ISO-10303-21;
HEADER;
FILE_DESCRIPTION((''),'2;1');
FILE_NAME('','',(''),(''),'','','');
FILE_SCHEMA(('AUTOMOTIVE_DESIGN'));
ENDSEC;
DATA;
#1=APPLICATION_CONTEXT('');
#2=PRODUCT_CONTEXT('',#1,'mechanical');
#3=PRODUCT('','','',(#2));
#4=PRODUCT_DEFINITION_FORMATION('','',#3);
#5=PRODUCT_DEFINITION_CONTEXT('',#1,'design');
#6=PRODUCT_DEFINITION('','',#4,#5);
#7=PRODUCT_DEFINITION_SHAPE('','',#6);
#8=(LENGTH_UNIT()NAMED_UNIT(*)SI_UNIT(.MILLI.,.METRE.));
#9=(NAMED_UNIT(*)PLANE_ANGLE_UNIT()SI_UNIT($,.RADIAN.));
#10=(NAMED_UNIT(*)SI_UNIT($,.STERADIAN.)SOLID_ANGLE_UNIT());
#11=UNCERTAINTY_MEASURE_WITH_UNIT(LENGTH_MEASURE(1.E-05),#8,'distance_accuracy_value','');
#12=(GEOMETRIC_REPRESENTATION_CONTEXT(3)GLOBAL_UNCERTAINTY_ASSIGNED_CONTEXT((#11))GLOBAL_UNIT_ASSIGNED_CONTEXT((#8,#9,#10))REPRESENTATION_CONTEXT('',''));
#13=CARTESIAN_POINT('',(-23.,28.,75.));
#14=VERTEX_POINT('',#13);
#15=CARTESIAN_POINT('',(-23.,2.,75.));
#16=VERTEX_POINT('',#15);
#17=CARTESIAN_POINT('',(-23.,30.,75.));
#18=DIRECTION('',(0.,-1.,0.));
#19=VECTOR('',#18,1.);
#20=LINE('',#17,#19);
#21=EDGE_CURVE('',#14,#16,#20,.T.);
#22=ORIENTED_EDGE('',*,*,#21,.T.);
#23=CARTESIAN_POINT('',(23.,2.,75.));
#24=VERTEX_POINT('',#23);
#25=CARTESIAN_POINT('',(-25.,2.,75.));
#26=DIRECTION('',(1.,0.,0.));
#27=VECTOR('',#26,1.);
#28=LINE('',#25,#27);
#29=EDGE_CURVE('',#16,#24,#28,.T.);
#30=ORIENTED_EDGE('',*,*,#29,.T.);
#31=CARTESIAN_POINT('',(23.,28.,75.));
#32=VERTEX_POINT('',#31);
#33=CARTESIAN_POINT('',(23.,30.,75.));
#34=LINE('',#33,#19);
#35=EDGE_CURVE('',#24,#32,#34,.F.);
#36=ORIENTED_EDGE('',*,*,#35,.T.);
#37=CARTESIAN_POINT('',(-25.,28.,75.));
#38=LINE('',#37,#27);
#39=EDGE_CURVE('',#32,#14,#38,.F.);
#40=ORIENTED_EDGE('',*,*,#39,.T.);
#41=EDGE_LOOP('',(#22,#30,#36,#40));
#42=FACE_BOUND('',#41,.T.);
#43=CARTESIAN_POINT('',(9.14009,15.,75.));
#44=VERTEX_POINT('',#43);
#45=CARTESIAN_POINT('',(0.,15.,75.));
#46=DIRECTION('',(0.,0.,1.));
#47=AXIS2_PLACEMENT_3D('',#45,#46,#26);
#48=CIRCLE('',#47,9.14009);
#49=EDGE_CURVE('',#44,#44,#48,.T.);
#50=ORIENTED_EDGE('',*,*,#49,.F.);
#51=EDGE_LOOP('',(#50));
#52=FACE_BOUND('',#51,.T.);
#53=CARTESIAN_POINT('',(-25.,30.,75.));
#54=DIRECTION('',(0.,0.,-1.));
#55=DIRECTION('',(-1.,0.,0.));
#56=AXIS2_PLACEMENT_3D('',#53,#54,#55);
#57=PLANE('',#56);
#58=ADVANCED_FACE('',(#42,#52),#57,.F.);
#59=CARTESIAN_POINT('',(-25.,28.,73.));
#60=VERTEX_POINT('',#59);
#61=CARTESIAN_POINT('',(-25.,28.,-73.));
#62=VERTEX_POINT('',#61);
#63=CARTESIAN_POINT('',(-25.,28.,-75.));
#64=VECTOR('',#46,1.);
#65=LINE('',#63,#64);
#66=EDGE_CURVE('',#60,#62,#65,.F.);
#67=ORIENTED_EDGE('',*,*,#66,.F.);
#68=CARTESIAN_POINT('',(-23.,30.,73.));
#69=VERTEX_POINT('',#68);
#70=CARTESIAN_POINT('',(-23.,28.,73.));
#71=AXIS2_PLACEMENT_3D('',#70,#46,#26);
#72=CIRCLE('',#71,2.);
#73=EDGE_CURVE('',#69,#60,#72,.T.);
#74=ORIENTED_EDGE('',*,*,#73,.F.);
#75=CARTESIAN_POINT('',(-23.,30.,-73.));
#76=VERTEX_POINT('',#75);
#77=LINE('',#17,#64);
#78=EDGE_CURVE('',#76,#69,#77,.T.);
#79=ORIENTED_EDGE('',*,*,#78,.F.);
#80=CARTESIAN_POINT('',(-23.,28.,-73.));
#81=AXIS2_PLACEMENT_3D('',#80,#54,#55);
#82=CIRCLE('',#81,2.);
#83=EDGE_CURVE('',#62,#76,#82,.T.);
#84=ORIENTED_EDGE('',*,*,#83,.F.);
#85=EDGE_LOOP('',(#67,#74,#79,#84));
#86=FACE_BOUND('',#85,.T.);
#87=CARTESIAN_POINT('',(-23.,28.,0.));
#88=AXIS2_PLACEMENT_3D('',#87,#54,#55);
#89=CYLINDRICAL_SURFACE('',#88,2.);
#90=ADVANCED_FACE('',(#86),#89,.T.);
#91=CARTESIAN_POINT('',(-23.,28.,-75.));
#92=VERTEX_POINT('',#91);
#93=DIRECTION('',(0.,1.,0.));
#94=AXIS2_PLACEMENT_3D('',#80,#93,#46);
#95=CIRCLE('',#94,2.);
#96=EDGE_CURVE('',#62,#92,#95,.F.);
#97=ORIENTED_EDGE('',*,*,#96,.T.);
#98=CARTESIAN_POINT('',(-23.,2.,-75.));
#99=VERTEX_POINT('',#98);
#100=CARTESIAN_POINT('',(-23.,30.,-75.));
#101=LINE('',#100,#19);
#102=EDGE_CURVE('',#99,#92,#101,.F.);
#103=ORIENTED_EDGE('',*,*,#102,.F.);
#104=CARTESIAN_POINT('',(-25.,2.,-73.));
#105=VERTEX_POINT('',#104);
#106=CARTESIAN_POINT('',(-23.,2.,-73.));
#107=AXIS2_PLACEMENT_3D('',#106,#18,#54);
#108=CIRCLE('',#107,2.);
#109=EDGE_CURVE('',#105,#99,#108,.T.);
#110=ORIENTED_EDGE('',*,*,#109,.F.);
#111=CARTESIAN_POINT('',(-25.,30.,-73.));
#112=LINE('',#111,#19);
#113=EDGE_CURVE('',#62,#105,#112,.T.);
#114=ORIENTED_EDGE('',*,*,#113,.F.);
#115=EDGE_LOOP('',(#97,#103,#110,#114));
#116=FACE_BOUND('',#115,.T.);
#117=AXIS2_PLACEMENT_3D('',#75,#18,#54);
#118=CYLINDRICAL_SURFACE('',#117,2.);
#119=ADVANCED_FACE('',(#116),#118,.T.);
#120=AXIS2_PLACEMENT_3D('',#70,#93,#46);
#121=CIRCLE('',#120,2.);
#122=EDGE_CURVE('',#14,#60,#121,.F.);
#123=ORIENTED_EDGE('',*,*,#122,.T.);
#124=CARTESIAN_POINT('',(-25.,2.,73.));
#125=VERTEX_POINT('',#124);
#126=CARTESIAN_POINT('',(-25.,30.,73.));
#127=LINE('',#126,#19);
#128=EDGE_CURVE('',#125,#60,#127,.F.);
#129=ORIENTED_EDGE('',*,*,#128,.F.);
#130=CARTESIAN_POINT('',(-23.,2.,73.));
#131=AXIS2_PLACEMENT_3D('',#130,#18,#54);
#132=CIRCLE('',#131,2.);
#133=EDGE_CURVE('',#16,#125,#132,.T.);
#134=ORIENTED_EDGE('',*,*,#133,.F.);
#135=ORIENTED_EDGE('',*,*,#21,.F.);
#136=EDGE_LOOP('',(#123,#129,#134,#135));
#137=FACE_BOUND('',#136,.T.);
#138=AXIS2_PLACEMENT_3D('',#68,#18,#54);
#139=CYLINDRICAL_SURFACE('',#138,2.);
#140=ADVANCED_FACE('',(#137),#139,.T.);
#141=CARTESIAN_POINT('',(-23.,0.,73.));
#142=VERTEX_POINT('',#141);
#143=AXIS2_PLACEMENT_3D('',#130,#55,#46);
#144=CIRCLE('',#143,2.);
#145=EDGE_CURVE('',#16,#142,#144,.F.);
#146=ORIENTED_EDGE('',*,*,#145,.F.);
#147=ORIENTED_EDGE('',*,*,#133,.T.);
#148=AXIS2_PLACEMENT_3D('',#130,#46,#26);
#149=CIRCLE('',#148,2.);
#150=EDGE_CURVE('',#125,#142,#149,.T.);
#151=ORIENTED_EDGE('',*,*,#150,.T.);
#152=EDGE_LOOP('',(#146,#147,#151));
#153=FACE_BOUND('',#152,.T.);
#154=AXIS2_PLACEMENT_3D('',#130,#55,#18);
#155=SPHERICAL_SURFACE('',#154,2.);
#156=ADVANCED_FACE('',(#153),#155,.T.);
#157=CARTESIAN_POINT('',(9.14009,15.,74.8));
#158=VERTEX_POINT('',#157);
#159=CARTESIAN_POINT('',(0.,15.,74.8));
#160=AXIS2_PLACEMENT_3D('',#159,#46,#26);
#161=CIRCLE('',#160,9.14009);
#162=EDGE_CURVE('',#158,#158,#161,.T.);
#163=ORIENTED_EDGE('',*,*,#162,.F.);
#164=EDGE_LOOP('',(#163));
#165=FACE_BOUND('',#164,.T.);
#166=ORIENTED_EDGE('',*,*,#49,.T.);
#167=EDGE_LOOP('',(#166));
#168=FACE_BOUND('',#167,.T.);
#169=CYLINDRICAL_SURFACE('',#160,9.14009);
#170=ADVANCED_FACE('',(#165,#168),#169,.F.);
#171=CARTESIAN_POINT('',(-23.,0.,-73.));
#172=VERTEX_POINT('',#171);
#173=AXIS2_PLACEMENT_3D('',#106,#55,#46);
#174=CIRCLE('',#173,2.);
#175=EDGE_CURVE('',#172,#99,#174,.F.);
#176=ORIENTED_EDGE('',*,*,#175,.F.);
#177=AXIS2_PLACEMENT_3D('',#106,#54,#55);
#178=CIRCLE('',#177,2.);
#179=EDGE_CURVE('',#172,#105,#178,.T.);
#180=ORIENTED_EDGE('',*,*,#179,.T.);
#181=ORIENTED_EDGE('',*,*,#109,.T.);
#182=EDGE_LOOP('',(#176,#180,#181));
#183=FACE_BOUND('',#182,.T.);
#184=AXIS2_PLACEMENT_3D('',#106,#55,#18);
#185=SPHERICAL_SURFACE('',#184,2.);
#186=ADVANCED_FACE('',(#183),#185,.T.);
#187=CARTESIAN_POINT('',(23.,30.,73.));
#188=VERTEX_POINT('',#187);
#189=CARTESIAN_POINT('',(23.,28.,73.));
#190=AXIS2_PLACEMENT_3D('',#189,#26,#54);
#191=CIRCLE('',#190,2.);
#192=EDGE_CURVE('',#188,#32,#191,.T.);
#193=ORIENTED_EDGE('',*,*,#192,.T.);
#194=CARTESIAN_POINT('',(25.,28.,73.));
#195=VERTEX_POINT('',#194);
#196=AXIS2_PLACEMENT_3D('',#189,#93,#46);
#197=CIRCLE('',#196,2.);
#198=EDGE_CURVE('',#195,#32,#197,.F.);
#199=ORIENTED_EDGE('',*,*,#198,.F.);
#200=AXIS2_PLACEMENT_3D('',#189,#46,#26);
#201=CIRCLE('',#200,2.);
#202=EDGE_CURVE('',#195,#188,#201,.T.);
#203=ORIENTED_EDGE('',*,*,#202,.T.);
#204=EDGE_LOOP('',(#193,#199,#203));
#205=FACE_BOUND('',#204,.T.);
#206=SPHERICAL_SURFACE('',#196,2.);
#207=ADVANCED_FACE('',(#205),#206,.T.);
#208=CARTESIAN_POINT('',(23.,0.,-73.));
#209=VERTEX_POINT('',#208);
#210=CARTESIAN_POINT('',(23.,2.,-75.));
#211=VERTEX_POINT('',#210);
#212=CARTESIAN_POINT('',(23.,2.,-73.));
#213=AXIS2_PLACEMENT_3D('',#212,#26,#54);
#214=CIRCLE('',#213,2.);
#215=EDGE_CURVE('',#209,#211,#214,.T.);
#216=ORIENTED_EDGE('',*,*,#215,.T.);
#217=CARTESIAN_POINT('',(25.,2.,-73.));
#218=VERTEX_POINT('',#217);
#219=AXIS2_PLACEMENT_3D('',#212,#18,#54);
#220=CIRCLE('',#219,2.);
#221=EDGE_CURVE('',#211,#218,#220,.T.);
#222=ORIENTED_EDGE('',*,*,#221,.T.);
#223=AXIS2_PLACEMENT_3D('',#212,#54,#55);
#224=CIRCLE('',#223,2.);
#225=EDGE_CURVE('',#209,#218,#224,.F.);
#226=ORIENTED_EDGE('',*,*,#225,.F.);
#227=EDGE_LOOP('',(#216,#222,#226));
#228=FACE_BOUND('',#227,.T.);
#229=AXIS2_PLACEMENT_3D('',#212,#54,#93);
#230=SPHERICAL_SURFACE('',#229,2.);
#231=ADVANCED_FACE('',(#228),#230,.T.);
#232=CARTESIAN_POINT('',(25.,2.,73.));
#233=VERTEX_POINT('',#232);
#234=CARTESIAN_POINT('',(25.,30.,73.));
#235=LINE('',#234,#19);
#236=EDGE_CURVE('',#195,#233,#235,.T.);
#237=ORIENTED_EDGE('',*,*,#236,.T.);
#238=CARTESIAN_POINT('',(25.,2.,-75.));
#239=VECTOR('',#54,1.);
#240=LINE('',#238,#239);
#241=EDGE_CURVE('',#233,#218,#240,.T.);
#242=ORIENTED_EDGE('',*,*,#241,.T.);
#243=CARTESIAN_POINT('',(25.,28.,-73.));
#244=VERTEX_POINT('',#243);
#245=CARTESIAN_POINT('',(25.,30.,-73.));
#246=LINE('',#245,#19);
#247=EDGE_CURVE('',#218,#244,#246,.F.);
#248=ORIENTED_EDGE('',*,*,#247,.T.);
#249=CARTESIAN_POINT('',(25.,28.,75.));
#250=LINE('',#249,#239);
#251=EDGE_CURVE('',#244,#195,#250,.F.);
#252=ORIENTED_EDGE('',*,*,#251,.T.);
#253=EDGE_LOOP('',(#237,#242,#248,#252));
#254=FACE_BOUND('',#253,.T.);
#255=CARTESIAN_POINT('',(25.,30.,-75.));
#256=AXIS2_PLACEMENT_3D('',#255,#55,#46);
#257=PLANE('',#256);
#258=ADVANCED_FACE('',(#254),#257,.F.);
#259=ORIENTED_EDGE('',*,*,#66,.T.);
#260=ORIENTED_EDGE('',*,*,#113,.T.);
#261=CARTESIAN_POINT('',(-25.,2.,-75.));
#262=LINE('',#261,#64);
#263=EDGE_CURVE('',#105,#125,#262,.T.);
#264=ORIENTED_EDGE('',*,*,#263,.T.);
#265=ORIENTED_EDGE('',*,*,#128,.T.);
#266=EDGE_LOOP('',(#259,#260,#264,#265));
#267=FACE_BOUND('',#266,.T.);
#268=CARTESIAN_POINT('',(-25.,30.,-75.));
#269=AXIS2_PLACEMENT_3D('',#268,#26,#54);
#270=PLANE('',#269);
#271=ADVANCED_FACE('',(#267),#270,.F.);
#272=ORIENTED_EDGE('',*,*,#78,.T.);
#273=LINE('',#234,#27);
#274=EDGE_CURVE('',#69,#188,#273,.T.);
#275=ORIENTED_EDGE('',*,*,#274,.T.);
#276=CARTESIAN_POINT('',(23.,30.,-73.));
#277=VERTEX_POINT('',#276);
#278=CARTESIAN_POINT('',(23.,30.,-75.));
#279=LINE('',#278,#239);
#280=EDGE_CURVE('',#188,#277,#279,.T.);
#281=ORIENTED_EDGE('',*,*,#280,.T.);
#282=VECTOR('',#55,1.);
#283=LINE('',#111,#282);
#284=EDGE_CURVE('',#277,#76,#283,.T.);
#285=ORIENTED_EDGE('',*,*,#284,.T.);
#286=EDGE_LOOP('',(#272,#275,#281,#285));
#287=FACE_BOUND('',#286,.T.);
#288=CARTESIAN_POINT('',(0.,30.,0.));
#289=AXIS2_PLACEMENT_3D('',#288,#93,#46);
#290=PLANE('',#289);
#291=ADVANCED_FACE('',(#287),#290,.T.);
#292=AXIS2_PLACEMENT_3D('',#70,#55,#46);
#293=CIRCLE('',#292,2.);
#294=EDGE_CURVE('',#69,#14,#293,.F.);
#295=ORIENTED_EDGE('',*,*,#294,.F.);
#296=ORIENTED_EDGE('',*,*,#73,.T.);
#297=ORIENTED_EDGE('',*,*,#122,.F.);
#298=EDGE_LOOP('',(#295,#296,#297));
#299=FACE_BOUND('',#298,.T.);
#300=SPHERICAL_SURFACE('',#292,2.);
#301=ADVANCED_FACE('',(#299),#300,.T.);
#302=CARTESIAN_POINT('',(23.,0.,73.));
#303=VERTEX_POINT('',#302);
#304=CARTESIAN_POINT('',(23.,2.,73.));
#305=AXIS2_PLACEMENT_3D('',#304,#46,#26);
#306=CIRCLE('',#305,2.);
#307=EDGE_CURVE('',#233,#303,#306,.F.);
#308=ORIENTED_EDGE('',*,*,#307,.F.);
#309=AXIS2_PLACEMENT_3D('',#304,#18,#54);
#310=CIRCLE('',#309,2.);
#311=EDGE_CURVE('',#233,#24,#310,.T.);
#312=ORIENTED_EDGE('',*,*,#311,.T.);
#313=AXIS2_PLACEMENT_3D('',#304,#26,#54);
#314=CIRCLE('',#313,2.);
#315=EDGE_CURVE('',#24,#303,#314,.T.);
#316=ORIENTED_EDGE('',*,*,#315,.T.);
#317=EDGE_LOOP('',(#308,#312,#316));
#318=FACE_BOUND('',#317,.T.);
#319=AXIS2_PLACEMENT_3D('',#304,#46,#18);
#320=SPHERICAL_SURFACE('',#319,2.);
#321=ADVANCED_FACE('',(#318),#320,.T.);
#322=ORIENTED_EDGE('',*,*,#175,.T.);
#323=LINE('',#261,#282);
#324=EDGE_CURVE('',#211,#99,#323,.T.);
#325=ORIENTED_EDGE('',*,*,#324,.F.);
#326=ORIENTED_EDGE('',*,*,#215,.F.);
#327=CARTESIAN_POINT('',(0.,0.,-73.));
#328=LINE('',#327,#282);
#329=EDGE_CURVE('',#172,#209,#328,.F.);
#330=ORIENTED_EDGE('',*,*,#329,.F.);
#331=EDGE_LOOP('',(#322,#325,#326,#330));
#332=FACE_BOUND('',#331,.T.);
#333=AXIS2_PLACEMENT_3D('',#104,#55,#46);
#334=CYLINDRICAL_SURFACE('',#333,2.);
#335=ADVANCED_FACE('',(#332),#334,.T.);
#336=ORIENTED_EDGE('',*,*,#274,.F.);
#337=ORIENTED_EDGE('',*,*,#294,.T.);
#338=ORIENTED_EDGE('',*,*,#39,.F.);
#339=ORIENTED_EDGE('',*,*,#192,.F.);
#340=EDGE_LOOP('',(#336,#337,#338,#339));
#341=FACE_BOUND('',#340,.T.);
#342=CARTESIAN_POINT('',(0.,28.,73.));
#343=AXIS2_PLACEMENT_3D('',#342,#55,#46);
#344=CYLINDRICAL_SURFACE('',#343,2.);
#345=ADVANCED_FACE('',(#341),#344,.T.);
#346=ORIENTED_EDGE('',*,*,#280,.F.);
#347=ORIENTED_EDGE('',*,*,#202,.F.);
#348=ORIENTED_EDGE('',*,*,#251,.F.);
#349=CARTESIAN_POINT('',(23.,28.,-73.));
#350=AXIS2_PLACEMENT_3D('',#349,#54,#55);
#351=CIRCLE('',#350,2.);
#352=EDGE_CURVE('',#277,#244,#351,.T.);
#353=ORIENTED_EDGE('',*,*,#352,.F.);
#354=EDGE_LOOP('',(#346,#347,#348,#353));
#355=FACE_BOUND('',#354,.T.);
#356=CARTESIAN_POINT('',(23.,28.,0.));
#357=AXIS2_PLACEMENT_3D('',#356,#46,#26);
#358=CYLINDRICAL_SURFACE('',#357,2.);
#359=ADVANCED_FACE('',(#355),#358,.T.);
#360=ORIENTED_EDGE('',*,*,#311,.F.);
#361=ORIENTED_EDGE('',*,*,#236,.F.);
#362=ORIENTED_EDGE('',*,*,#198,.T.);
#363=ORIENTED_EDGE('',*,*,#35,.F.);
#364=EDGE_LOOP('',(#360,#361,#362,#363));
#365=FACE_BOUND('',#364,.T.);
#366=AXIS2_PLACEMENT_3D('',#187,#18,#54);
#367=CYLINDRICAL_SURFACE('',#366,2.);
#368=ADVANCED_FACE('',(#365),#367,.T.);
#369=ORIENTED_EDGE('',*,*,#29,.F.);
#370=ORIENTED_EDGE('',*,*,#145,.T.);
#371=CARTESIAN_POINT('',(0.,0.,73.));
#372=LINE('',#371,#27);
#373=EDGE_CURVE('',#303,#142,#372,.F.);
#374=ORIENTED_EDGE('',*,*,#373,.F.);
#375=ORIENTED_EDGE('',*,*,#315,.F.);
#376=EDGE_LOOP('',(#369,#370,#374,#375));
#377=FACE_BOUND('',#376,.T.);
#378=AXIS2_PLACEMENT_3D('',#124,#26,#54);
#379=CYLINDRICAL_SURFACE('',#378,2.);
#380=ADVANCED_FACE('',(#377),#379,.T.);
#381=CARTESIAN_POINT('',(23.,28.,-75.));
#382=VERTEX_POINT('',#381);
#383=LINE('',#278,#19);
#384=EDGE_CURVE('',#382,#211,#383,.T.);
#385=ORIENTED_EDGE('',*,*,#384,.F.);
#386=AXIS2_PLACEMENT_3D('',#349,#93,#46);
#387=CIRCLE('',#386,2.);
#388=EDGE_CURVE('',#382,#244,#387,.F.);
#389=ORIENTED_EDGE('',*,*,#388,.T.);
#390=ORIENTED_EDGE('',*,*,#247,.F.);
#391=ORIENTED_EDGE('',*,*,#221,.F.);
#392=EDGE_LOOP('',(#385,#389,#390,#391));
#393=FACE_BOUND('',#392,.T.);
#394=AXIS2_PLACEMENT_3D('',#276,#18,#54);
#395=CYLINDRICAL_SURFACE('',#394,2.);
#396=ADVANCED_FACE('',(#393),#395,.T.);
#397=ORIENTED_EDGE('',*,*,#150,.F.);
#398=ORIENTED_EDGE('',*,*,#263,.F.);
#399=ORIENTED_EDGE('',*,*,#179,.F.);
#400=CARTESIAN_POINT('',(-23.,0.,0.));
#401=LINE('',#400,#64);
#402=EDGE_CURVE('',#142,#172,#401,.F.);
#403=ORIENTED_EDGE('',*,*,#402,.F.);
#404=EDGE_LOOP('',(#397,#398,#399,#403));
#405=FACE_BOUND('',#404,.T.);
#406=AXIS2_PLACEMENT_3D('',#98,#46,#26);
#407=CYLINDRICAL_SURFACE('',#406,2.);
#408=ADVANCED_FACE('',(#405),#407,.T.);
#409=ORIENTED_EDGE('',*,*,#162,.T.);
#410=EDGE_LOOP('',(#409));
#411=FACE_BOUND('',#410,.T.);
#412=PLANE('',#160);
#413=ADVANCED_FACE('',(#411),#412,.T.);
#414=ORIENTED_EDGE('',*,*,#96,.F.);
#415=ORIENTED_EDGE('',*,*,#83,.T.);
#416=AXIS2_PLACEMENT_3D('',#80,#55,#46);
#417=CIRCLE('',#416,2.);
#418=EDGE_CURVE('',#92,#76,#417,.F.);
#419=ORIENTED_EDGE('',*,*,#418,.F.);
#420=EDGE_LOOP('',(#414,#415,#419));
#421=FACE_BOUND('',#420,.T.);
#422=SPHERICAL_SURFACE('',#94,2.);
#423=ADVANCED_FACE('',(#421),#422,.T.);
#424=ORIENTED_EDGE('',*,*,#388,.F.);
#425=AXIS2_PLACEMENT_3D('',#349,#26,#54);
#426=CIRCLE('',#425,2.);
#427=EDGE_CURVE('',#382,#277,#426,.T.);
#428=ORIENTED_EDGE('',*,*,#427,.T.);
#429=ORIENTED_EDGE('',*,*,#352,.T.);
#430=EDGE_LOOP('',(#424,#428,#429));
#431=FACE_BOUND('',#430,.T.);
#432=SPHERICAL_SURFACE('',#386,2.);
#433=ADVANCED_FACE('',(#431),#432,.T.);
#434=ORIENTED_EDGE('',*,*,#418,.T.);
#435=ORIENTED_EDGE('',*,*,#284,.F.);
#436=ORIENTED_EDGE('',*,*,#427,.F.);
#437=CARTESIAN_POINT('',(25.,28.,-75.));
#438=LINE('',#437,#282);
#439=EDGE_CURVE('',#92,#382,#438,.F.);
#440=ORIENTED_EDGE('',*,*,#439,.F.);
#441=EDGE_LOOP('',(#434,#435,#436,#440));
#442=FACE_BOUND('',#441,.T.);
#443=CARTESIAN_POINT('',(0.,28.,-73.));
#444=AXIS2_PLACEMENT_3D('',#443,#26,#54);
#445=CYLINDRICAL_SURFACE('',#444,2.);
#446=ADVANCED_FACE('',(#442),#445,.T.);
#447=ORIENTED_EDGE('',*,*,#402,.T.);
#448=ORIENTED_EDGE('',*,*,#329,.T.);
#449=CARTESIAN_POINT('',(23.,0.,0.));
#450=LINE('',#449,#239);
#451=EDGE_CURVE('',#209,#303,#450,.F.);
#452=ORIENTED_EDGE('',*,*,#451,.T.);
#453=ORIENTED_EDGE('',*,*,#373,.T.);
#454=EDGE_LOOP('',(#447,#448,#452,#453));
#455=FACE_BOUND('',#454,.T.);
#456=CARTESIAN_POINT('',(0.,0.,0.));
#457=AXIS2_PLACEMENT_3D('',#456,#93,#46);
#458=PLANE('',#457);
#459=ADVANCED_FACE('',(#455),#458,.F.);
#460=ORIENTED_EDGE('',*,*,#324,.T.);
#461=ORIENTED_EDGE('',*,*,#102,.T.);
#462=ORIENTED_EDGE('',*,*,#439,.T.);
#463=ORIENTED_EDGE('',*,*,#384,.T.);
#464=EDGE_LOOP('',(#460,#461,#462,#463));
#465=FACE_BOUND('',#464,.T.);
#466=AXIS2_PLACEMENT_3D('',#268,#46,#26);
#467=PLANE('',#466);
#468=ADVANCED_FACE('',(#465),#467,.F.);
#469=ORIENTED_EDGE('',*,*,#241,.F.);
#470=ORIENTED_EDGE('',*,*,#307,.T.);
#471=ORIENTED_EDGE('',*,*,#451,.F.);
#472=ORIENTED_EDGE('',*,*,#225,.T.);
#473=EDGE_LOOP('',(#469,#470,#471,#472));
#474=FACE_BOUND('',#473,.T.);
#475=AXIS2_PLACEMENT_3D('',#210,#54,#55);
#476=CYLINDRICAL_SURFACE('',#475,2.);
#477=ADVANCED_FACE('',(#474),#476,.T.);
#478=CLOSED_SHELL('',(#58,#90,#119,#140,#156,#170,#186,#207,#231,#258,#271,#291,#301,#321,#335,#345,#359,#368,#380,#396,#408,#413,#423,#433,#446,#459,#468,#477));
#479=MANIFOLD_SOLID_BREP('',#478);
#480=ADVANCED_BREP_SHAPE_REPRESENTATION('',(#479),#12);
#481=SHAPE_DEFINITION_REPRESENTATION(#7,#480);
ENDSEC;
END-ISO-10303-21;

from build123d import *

# Parameters (mm, degrees)
SKETCH2_W           = 50
SKETCH2_H           = 150
BOSS_EXTRUDE1_DEPTH = 30
FILLET1_R           = 2
SKETCH3_R           = 9.140090322
CUT_EXTRUDE1_DEPTH  = 0.2


with BuildPart() as part:
    # Sketch2 → Boss-Extrude1 (new body)
    with BuildSketch(Plane(origin=(0, 0, 0), x_dir=(1, 0, 0), z_dir=(0, 1, 0))):
        Rectangle(SKETCH2_W, SKETCH2_H)
    extrude(amount=BOSS_EXTRUDE1_DEPTH)

    # Fillet1
    fillet1_edges = [part.edges().sort_by_distance(p)[0] for p in [
        (-25, 30, 0),
        (0, 30, 75),
        (25, 30, 0),
        (0, 0, 75),
        (-25, 0, 0),
        (0, 0, -75),
        (25, 0, 0),
        (25, 15, 75),
        (-25, 15, 75),
        (-25, 15, -75),
        (25, 15, -75),
        (0, 30, -75),
    ]]
    fillet(fillet1_edges, radius=FILLET1_R)

    # Sketch3 → Cut-Extrude1 (cut)
    with BuildSketch(Plane.XY.offset(75)):
        with Locations((0, 15)):
            Circle(SKETCH3_R)
    extrude(amount=-CUT_EXTRUDE1_DEPTH, mode=Mode.SUBTRACT)


solid = part.part
